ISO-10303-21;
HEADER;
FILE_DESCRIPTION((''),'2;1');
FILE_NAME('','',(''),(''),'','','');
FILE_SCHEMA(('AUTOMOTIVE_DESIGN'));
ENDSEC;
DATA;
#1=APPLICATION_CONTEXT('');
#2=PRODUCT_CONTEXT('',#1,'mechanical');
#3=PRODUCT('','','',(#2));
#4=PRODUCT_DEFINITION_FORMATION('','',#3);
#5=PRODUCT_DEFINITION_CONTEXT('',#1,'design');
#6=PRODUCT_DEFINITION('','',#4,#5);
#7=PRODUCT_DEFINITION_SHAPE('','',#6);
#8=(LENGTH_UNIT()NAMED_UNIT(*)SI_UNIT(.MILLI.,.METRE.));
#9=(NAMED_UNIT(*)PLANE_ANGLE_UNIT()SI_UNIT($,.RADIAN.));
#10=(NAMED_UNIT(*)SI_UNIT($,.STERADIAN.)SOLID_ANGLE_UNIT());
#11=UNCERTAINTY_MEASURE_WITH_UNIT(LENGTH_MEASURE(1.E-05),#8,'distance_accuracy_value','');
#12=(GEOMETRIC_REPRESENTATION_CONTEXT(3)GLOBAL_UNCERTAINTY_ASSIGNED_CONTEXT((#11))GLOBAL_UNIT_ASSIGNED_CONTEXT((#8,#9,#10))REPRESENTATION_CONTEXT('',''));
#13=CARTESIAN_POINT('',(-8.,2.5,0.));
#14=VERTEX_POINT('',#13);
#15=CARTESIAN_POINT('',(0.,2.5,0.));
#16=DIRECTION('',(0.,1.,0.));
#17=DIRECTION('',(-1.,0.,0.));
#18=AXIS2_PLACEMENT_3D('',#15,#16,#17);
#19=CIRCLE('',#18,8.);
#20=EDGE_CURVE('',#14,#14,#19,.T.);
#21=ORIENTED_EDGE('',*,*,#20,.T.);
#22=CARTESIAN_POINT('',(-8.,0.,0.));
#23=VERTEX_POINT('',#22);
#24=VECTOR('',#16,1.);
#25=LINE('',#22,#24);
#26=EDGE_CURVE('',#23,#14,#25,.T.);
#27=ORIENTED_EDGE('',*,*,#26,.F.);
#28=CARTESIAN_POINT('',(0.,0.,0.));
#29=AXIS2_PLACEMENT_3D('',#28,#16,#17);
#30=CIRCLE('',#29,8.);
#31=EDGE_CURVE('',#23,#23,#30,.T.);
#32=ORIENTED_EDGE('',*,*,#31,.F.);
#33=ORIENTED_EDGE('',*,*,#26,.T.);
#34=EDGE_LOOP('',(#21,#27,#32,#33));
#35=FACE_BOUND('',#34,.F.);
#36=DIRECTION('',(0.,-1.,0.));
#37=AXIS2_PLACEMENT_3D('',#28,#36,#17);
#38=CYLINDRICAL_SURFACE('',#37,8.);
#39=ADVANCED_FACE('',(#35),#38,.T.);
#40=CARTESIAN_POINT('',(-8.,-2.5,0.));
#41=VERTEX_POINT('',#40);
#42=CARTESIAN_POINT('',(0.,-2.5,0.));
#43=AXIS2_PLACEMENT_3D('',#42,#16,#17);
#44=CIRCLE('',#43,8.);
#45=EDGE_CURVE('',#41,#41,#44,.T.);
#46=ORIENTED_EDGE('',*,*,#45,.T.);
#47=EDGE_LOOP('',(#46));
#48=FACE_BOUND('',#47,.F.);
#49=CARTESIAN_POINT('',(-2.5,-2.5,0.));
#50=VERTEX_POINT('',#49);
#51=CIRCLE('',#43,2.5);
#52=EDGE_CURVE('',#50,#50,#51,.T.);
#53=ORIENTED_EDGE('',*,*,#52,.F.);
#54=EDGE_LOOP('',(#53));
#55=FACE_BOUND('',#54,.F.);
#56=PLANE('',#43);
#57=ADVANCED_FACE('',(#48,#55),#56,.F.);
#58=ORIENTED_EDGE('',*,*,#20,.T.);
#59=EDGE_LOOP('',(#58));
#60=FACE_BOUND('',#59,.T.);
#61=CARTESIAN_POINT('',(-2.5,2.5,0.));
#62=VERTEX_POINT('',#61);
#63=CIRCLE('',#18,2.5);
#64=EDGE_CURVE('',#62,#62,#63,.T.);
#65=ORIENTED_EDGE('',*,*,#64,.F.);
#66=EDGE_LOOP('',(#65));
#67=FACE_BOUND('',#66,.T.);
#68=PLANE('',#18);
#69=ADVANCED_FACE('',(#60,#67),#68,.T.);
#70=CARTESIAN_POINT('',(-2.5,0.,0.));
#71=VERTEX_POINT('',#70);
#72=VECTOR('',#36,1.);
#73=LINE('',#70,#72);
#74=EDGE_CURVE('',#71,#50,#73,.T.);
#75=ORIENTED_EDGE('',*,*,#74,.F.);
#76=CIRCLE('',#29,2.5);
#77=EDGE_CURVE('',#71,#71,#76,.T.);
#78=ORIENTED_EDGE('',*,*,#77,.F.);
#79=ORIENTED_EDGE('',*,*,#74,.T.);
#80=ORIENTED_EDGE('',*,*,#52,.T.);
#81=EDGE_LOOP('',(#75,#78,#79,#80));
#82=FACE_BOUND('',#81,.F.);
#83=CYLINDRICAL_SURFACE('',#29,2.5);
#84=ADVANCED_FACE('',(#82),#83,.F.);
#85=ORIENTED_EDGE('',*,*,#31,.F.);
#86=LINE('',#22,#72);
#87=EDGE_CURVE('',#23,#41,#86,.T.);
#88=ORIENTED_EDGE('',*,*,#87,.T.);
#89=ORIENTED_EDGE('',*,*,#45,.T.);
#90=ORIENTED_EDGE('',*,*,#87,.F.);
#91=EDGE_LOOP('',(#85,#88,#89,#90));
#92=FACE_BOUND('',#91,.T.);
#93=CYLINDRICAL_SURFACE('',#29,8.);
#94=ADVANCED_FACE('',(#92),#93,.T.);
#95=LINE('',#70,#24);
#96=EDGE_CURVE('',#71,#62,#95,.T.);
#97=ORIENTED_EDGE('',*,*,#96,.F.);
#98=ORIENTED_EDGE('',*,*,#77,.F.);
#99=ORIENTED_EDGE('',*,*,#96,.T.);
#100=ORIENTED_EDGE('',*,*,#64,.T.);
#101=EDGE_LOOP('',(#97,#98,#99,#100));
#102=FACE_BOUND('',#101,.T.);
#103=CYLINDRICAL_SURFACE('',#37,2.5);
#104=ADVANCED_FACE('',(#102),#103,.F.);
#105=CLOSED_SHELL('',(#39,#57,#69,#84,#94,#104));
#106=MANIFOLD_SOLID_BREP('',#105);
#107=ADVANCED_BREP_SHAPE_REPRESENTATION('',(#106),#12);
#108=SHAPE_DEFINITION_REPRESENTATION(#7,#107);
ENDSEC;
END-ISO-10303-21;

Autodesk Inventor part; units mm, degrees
ref_plane "YZ Plane" through (0, 0, 0) normal (1, 0, 0) x (0, 1, 0)
ref_plane "XZ Plane" through (0, 0, 0) normal (0, 1, 0) x (-1, 0, 0)
ref_plane "XY Plane" through (0, 0, 0) normal (0, 0, 1) x (1, 0, 0)
sketch "Skizze1" plane through (0, 0, 0) normal (0, 1, 0) x (-1, 0, 0)
  circle A0 centre (0, 0) radius 2.5
  circle A1 centre (0, 0) radius 8
  dimension "d0" = 5
  dimension "d1" = 16
extrude "Extrusion1" add sketch "Skizze1" along normal mid plane 5
properties part number "01-03-03 Kugellager Tarik"
